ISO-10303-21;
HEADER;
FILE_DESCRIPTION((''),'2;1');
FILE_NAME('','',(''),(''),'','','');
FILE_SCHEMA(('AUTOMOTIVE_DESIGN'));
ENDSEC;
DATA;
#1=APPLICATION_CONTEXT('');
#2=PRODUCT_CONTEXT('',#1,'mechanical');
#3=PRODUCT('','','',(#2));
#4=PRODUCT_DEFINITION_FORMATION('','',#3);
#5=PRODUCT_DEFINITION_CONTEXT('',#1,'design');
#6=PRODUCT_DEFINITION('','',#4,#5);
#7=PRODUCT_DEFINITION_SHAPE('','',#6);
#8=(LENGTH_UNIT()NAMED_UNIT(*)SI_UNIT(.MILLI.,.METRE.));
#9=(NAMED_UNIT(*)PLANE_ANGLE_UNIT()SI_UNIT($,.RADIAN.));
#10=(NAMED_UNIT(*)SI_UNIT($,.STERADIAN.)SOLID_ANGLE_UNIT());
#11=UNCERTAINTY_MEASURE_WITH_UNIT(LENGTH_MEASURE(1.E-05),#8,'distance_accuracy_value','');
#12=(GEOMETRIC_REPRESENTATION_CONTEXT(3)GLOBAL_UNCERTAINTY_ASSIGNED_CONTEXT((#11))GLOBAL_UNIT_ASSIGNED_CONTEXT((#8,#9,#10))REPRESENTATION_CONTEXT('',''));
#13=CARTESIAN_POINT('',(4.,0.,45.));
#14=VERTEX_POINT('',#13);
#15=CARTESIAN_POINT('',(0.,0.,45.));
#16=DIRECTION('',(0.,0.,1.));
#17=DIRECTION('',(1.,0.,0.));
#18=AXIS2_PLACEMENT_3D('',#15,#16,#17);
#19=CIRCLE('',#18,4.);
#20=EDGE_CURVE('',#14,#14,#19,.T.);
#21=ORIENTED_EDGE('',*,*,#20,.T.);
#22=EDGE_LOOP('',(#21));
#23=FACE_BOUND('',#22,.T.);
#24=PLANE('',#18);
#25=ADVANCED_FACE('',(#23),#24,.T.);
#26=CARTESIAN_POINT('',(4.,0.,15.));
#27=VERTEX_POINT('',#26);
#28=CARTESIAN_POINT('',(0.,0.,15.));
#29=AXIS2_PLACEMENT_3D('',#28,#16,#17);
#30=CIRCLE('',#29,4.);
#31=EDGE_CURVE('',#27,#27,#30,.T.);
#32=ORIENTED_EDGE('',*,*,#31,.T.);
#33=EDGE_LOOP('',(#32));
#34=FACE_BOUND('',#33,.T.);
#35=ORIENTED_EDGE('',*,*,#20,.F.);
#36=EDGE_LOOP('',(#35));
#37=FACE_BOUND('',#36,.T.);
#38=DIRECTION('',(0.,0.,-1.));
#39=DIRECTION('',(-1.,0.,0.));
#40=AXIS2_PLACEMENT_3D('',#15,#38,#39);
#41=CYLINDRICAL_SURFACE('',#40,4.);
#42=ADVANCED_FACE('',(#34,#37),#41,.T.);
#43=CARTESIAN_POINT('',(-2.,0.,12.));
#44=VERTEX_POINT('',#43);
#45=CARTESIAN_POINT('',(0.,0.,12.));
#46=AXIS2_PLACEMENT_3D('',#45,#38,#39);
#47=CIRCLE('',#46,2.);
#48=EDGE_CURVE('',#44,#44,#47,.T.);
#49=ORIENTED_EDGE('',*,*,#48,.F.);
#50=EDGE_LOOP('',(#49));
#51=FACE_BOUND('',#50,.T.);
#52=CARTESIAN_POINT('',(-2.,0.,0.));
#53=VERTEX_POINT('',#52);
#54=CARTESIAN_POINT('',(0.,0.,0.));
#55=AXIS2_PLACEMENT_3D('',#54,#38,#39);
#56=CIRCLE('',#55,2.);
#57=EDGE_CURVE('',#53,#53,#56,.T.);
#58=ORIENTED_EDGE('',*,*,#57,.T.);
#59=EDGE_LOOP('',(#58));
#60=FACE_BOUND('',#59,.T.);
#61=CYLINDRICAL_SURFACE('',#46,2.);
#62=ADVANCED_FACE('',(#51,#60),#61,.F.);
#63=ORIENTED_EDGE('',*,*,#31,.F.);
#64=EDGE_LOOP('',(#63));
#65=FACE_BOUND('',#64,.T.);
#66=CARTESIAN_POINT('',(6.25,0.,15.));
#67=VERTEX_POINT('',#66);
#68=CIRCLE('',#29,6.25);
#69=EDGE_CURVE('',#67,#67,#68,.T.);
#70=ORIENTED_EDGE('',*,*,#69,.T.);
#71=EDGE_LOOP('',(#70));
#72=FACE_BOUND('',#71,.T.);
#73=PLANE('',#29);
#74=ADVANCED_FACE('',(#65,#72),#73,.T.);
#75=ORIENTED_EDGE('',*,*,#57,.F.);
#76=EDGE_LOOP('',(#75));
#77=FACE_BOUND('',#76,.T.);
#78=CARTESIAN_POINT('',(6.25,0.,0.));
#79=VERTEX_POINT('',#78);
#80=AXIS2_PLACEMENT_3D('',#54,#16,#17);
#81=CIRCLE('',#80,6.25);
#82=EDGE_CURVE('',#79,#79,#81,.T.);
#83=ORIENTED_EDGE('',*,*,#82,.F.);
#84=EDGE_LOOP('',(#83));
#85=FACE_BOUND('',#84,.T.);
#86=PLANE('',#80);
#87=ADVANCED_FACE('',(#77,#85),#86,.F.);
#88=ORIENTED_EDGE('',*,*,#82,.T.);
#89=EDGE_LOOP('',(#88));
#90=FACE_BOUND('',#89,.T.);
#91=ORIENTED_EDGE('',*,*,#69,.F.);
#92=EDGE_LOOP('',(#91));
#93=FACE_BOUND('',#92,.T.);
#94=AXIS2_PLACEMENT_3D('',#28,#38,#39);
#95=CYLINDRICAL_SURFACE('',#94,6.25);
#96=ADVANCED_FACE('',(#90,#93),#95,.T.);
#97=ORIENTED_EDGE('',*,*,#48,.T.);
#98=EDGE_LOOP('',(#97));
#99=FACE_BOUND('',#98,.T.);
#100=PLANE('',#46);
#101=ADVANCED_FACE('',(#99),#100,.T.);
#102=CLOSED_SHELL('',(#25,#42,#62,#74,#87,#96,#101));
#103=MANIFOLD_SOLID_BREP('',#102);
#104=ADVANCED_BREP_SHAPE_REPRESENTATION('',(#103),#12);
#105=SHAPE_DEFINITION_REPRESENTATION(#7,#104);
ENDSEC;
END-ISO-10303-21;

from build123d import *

# Parameters (mm, degrees)
SKETCH1_R           = 6.25
SKETCH1_R_2         = 4
BOSS_EXTRUDE1_DEPTH = 15
BOSS_EXTRUDE2_START = 15
SKETCH1_3_R         = 4
BOSS_EXTRUDE2_DEPTH = 30
SKETCH2_R           = 2
CUT_EXTRUDE1_DEPTH  = 12


with BuildPart() as part:
    # Sketch1 → Boss-Extrude1 (new body)
    # profile 1 of 2: a face of its own
    with BuildSketch(Plane.XY):
        Circle(SKETCH1_R)
        Circle(SKETCH1_R_2, mode=Mode.SUBTRACT)
    # profile 2 of 2: a face of its own
    with BuildSketch(Plane.XY):
        Circle(SKETCH1_R_2)
    extrude(amount=BOSS_EXTRUDE1_DEPTH)

    # Sketch1<3> → Boss-Extrude2 (add)
    with BuildSketch(Plane.XY.offset(BOSS_EXTRUDE2_START)):
        Circle(SKETCH1_3_R)
    extrude(amount=BOSS_EXTRUDE2_DEPTH)

    # Sketch2 → Cut-Extrude1 (cut)
    with BuildSketch(Plane(origin=(0, 0, 0), x_dir=(-1, 0, 0), z_dir=(0, 0, -1))):
        Circle(SKETCH2_R)
    extrude(amount=-CUT_EXTRUDE1_DEPTH, mode=Mode.SUBTRACT)


solid = part.part
